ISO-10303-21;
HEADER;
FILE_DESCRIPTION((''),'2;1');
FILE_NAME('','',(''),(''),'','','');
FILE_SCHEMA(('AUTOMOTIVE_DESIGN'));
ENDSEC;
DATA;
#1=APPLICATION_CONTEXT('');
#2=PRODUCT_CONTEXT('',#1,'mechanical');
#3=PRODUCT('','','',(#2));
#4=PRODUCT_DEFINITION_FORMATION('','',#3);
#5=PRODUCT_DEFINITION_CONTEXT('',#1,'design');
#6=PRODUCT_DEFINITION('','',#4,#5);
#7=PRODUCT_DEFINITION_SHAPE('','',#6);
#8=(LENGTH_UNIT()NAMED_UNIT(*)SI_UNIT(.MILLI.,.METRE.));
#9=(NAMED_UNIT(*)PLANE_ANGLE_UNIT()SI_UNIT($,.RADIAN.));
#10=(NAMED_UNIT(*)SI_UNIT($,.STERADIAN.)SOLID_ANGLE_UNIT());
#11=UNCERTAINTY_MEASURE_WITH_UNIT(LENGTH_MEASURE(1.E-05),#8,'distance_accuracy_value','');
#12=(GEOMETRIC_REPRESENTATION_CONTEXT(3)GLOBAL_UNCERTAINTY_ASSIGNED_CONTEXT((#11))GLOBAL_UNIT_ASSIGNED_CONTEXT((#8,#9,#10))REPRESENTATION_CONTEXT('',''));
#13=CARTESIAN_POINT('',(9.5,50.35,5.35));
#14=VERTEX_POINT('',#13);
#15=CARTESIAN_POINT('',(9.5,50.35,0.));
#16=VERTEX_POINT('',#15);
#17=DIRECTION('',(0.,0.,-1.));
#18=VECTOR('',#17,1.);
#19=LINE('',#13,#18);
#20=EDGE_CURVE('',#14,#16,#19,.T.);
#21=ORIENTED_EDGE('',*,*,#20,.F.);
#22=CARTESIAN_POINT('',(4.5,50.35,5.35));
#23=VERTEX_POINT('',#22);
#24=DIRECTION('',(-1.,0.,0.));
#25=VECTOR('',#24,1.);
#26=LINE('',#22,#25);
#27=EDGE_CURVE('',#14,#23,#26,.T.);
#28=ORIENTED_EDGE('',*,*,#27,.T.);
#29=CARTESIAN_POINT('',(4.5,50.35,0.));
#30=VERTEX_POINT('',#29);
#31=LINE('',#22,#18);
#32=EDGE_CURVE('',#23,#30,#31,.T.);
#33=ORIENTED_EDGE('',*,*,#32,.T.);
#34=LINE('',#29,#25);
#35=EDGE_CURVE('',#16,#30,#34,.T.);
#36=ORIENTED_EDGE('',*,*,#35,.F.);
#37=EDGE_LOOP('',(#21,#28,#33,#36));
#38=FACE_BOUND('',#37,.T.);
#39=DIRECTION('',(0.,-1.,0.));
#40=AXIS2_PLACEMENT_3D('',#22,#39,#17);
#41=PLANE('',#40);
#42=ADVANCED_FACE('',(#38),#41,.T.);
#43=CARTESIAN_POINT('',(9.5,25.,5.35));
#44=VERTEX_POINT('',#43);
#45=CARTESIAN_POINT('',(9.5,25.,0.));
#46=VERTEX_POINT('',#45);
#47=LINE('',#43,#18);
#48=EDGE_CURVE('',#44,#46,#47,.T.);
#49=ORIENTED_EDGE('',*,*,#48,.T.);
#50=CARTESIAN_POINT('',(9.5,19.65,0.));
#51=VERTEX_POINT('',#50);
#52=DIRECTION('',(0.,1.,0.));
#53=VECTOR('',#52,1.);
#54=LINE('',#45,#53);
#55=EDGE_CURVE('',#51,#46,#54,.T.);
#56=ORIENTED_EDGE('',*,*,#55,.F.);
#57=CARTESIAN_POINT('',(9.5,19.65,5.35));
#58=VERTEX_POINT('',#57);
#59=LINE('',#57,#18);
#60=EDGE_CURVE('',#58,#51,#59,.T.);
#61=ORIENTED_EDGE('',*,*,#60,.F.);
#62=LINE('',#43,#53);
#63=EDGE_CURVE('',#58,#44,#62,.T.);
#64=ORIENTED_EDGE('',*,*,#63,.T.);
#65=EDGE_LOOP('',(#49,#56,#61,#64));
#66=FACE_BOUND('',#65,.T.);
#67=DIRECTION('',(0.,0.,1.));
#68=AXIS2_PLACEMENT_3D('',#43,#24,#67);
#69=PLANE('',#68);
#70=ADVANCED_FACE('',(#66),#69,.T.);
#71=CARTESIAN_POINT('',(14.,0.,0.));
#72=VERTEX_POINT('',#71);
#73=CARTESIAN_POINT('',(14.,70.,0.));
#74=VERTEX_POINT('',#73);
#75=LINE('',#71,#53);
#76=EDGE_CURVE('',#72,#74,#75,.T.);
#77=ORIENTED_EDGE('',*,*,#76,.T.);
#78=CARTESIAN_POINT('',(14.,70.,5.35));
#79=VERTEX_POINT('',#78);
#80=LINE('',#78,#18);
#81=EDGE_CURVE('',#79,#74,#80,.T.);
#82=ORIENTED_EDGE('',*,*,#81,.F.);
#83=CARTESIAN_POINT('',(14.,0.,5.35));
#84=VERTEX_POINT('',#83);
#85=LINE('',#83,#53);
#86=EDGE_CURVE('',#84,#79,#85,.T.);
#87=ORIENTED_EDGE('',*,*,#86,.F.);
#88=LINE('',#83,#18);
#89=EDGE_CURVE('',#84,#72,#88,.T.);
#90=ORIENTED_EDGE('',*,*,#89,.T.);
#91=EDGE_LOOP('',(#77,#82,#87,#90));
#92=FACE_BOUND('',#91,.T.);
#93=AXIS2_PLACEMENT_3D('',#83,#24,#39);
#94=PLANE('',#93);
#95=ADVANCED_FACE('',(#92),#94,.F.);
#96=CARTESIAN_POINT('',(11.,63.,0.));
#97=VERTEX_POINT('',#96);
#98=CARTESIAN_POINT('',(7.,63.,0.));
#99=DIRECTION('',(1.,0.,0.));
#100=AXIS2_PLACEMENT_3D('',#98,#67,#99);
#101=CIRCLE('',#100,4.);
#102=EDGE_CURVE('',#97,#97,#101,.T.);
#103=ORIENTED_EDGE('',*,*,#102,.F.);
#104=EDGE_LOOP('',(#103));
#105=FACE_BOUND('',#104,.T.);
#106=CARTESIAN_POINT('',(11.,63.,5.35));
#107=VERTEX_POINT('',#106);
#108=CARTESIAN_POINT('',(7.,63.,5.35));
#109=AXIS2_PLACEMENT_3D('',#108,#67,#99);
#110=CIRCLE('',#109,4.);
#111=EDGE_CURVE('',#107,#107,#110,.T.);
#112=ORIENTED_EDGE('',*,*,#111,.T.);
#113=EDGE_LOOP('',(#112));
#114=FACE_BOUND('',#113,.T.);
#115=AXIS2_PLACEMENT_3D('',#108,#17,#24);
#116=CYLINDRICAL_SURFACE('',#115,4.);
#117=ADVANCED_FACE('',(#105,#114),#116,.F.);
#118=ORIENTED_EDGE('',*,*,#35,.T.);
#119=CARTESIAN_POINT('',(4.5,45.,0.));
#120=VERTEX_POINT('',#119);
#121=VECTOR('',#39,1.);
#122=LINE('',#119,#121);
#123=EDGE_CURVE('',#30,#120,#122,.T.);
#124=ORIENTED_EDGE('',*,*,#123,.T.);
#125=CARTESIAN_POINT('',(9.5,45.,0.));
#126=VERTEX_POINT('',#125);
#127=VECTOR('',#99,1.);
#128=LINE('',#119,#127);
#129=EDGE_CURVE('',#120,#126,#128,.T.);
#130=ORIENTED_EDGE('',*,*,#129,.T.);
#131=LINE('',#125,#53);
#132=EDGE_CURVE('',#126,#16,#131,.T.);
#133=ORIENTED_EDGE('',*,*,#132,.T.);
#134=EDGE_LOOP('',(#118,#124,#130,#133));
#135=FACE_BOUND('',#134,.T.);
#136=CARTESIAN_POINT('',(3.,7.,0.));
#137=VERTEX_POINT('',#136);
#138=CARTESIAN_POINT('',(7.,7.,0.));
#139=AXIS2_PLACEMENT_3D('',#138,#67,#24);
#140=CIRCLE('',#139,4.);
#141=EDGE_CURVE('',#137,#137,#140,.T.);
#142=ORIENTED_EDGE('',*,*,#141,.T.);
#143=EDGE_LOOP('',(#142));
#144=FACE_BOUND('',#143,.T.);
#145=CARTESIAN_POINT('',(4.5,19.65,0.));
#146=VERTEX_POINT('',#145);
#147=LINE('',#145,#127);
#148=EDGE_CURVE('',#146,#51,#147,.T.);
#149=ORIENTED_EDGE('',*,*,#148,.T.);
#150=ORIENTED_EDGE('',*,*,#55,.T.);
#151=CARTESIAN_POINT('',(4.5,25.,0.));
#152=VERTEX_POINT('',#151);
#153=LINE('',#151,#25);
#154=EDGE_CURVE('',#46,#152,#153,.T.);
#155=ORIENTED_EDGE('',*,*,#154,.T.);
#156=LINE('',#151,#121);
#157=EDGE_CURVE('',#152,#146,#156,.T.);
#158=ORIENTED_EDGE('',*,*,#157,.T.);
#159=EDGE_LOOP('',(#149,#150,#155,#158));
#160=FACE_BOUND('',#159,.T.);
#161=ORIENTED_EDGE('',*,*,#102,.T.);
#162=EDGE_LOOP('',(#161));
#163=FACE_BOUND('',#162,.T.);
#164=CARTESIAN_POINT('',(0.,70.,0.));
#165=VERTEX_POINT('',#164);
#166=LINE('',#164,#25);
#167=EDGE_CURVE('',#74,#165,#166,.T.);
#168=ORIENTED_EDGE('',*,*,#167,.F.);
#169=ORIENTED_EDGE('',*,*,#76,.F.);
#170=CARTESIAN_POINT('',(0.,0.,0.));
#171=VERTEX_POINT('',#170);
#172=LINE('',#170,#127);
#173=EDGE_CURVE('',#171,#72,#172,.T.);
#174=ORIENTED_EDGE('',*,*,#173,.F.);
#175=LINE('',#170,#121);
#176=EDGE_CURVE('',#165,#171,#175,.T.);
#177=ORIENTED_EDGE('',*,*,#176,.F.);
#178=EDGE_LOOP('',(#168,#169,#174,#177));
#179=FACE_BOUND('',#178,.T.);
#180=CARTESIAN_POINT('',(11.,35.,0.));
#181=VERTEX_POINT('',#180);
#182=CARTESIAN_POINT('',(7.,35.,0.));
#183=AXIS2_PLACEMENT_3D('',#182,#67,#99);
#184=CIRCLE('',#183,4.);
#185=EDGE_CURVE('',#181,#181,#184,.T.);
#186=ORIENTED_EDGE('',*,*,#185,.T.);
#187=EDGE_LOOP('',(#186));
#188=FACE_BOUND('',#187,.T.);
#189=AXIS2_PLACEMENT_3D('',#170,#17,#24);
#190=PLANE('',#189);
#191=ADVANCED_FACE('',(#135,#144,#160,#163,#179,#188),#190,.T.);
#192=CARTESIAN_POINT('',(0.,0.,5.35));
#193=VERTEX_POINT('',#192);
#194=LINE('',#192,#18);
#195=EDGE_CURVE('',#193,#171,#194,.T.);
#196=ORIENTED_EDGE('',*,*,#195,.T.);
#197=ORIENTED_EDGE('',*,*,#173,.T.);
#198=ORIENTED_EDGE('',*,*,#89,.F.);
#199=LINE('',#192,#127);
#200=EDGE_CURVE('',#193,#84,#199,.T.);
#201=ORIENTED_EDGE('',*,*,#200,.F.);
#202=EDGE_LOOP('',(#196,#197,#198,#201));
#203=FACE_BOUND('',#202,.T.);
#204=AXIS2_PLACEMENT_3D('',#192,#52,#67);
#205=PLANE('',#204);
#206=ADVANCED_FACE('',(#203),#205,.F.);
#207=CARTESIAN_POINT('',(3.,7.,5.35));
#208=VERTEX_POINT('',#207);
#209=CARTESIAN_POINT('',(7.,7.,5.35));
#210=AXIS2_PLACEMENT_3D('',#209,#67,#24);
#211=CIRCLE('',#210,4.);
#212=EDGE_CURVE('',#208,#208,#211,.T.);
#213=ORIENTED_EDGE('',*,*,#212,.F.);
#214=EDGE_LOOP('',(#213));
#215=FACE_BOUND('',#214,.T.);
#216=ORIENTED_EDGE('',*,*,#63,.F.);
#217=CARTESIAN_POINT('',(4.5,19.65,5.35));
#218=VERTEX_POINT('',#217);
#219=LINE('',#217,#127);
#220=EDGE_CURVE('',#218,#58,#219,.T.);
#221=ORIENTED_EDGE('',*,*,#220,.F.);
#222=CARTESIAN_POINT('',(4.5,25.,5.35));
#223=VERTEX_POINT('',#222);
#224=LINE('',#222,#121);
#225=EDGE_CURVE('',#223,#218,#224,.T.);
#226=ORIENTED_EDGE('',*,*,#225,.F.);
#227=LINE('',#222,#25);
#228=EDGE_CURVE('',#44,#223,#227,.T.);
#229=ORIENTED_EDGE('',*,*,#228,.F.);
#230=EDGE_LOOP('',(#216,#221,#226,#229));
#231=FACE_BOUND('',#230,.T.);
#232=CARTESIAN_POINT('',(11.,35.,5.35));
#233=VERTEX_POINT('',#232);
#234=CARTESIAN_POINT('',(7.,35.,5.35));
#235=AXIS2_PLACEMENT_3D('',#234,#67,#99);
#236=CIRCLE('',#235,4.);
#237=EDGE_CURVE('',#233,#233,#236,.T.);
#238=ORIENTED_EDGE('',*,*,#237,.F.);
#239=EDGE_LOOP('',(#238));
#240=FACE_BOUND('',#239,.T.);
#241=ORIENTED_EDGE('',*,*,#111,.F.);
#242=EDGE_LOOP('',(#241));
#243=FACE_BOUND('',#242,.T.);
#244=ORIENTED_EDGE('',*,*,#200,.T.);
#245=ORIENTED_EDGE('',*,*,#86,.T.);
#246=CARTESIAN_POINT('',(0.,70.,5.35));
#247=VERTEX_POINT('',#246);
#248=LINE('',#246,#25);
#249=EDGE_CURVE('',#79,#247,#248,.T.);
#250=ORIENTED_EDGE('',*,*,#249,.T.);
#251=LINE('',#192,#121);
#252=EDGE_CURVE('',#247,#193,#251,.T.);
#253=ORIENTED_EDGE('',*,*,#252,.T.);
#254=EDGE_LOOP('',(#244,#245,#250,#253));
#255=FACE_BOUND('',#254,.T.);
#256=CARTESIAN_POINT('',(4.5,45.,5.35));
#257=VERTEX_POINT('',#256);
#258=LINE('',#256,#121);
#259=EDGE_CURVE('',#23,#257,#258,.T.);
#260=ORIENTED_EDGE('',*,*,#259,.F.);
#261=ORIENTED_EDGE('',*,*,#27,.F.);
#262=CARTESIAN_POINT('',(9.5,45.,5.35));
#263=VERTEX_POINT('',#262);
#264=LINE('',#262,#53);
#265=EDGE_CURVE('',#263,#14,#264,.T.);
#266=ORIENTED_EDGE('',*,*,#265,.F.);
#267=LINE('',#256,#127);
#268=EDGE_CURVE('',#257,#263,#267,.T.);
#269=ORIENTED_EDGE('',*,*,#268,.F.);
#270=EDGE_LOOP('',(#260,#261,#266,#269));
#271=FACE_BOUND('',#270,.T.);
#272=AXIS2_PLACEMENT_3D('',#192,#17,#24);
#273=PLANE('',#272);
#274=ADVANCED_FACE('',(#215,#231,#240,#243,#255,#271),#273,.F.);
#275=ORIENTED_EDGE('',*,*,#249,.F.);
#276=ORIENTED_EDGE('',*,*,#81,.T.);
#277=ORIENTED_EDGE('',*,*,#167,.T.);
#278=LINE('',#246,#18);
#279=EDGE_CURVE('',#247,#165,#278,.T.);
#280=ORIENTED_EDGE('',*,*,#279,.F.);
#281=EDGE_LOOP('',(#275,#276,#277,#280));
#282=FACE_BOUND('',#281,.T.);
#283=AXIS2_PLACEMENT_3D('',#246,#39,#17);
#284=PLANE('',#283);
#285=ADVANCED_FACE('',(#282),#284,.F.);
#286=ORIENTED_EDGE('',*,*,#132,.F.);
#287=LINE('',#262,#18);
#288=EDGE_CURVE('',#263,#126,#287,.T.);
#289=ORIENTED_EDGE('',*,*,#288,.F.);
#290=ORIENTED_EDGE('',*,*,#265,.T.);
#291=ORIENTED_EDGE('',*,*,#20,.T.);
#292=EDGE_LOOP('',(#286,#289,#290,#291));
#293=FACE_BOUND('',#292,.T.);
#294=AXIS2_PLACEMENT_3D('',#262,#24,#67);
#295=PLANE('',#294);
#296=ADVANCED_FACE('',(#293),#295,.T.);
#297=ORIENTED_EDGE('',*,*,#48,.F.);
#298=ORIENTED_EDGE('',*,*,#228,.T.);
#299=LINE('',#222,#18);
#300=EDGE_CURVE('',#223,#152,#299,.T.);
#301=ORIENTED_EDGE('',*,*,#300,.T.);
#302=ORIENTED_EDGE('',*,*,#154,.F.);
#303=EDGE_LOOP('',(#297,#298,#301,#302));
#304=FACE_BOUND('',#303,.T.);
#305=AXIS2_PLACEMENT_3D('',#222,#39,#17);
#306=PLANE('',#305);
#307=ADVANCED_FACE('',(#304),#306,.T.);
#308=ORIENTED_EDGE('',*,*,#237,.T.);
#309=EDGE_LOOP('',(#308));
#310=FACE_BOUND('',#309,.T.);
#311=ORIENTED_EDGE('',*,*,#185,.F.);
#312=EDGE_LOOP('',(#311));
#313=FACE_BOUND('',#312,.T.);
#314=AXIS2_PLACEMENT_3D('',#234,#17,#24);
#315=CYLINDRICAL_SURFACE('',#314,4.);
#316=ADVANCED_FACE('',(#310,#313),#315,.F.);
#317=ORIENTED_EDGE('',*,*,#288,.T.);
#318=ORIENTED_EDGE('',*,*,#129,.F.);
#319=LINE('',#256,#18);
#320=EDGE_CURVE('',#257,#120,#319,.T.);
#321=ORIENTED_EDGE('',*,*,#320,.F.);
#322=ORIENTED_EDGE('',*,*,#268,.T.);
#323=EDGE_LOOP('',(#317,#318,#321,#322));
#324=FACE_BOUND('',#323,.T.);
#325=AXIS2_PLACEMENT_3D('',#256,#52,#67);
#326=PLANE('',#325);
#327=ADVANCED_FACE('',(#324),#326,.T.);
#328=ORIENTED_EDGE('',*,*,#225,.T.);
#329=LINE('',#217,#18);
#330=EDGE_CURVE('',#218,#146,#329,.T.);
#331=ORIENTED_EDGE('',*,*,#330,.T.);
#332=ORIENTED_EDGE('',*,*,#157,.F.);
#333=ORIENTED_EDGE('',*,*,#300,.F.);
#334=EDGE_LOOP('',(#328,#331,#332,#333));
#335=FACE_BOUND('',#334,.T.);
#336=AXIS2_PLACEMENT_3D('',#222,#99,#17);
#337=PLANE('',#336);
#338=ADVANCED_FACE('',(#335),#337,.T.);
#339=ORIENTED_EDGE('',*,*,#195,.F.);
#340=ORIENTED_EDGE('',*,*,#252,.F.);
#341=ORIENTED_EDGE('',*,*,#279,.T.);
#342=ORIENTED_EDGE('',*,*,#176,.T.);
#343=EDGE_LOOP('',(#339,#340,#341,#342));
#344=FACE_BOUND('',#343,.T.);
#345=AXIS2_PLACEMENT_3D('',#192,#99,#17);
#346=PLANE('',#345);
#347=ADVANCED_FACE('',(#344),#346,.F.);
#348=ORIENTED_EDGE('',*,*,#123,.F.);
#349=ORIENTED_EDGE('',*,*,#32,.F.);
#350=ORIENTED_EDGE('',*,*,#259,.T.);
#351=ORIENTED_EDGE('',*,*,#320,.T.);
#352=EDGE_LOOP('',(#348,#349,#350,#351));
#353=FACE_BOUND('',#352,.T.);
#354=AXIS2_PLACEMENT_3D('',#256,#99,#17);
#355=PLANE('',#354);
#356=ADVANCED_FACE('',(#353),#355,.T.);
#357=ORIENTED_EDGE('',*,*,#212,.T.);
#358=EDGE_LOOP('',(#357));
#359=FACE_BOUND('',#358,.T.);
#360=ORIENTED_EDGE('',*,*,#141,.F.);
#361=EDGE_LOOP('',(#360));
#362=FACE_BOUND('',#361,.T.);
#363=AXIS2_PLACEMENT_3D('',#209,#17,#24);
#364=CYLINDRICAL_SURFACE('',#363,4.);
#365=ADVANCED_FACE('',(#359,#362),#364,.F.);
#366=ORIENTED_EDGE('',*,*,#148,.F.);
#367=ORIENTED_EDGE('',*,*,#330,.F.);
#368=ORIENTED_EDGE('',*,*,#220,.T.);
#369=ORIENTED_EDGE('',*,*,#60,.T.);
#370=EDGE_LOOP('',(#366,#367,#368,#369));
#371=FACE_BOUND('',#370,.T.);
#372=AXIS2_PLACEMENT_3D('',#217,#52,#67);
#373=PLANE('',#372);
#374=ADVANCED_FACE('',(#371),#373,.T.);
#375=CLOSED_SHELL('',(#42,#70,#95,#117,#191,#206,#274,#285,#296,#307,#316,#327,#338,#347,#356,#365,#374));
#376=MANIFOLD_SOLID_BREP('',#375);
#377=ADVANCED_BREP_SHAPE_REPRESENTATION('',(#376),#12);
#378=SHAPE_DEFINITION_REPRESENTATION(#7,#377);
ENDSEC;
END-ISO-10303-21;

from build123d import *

# Parameters (mm, degrees)
MODEL_W             = 14
MODEL_H             = 70
MODEL_R             = 4
MODEL_W_2           = 5
MODEL_H_2           = 5.35
BOSS_EXTRUDE1_DEPTH = 5.35


with BuildPart() as part:
    # Model → Boss-Extrude1 (new body)
    with BuildSketch(Plane.XY):
        with Locations((7, 35)):
            Rectangle(MODEL_W, MODEL_H)
        with Locations((7, 63)):
            Circle(MODEL_R, mode=Mode.SUBTRACT)
        with Locations(Location((7, 7, 0), (0, 0, 180))):
            Circle(MODEL_R, mode=Mode.SUBTRACT)
        with Locations((7, 35)):
            Circle(MODEL_R, mode=Mode.SUBTRACT)
        with Locations((7, 47.675)):
            Rectangle(MODEL_W_2, MODEL_H_2, mode=Mode.SUBTRACT)
        with Locations((7, 22.325)):
            Rectangle(MODEL_W_2, MODEL_H_2, mode=Mode.SUBTRACT)
    extrude(amount=BOSS_EXTRUDE1_DEPTH)


solid = part.part
